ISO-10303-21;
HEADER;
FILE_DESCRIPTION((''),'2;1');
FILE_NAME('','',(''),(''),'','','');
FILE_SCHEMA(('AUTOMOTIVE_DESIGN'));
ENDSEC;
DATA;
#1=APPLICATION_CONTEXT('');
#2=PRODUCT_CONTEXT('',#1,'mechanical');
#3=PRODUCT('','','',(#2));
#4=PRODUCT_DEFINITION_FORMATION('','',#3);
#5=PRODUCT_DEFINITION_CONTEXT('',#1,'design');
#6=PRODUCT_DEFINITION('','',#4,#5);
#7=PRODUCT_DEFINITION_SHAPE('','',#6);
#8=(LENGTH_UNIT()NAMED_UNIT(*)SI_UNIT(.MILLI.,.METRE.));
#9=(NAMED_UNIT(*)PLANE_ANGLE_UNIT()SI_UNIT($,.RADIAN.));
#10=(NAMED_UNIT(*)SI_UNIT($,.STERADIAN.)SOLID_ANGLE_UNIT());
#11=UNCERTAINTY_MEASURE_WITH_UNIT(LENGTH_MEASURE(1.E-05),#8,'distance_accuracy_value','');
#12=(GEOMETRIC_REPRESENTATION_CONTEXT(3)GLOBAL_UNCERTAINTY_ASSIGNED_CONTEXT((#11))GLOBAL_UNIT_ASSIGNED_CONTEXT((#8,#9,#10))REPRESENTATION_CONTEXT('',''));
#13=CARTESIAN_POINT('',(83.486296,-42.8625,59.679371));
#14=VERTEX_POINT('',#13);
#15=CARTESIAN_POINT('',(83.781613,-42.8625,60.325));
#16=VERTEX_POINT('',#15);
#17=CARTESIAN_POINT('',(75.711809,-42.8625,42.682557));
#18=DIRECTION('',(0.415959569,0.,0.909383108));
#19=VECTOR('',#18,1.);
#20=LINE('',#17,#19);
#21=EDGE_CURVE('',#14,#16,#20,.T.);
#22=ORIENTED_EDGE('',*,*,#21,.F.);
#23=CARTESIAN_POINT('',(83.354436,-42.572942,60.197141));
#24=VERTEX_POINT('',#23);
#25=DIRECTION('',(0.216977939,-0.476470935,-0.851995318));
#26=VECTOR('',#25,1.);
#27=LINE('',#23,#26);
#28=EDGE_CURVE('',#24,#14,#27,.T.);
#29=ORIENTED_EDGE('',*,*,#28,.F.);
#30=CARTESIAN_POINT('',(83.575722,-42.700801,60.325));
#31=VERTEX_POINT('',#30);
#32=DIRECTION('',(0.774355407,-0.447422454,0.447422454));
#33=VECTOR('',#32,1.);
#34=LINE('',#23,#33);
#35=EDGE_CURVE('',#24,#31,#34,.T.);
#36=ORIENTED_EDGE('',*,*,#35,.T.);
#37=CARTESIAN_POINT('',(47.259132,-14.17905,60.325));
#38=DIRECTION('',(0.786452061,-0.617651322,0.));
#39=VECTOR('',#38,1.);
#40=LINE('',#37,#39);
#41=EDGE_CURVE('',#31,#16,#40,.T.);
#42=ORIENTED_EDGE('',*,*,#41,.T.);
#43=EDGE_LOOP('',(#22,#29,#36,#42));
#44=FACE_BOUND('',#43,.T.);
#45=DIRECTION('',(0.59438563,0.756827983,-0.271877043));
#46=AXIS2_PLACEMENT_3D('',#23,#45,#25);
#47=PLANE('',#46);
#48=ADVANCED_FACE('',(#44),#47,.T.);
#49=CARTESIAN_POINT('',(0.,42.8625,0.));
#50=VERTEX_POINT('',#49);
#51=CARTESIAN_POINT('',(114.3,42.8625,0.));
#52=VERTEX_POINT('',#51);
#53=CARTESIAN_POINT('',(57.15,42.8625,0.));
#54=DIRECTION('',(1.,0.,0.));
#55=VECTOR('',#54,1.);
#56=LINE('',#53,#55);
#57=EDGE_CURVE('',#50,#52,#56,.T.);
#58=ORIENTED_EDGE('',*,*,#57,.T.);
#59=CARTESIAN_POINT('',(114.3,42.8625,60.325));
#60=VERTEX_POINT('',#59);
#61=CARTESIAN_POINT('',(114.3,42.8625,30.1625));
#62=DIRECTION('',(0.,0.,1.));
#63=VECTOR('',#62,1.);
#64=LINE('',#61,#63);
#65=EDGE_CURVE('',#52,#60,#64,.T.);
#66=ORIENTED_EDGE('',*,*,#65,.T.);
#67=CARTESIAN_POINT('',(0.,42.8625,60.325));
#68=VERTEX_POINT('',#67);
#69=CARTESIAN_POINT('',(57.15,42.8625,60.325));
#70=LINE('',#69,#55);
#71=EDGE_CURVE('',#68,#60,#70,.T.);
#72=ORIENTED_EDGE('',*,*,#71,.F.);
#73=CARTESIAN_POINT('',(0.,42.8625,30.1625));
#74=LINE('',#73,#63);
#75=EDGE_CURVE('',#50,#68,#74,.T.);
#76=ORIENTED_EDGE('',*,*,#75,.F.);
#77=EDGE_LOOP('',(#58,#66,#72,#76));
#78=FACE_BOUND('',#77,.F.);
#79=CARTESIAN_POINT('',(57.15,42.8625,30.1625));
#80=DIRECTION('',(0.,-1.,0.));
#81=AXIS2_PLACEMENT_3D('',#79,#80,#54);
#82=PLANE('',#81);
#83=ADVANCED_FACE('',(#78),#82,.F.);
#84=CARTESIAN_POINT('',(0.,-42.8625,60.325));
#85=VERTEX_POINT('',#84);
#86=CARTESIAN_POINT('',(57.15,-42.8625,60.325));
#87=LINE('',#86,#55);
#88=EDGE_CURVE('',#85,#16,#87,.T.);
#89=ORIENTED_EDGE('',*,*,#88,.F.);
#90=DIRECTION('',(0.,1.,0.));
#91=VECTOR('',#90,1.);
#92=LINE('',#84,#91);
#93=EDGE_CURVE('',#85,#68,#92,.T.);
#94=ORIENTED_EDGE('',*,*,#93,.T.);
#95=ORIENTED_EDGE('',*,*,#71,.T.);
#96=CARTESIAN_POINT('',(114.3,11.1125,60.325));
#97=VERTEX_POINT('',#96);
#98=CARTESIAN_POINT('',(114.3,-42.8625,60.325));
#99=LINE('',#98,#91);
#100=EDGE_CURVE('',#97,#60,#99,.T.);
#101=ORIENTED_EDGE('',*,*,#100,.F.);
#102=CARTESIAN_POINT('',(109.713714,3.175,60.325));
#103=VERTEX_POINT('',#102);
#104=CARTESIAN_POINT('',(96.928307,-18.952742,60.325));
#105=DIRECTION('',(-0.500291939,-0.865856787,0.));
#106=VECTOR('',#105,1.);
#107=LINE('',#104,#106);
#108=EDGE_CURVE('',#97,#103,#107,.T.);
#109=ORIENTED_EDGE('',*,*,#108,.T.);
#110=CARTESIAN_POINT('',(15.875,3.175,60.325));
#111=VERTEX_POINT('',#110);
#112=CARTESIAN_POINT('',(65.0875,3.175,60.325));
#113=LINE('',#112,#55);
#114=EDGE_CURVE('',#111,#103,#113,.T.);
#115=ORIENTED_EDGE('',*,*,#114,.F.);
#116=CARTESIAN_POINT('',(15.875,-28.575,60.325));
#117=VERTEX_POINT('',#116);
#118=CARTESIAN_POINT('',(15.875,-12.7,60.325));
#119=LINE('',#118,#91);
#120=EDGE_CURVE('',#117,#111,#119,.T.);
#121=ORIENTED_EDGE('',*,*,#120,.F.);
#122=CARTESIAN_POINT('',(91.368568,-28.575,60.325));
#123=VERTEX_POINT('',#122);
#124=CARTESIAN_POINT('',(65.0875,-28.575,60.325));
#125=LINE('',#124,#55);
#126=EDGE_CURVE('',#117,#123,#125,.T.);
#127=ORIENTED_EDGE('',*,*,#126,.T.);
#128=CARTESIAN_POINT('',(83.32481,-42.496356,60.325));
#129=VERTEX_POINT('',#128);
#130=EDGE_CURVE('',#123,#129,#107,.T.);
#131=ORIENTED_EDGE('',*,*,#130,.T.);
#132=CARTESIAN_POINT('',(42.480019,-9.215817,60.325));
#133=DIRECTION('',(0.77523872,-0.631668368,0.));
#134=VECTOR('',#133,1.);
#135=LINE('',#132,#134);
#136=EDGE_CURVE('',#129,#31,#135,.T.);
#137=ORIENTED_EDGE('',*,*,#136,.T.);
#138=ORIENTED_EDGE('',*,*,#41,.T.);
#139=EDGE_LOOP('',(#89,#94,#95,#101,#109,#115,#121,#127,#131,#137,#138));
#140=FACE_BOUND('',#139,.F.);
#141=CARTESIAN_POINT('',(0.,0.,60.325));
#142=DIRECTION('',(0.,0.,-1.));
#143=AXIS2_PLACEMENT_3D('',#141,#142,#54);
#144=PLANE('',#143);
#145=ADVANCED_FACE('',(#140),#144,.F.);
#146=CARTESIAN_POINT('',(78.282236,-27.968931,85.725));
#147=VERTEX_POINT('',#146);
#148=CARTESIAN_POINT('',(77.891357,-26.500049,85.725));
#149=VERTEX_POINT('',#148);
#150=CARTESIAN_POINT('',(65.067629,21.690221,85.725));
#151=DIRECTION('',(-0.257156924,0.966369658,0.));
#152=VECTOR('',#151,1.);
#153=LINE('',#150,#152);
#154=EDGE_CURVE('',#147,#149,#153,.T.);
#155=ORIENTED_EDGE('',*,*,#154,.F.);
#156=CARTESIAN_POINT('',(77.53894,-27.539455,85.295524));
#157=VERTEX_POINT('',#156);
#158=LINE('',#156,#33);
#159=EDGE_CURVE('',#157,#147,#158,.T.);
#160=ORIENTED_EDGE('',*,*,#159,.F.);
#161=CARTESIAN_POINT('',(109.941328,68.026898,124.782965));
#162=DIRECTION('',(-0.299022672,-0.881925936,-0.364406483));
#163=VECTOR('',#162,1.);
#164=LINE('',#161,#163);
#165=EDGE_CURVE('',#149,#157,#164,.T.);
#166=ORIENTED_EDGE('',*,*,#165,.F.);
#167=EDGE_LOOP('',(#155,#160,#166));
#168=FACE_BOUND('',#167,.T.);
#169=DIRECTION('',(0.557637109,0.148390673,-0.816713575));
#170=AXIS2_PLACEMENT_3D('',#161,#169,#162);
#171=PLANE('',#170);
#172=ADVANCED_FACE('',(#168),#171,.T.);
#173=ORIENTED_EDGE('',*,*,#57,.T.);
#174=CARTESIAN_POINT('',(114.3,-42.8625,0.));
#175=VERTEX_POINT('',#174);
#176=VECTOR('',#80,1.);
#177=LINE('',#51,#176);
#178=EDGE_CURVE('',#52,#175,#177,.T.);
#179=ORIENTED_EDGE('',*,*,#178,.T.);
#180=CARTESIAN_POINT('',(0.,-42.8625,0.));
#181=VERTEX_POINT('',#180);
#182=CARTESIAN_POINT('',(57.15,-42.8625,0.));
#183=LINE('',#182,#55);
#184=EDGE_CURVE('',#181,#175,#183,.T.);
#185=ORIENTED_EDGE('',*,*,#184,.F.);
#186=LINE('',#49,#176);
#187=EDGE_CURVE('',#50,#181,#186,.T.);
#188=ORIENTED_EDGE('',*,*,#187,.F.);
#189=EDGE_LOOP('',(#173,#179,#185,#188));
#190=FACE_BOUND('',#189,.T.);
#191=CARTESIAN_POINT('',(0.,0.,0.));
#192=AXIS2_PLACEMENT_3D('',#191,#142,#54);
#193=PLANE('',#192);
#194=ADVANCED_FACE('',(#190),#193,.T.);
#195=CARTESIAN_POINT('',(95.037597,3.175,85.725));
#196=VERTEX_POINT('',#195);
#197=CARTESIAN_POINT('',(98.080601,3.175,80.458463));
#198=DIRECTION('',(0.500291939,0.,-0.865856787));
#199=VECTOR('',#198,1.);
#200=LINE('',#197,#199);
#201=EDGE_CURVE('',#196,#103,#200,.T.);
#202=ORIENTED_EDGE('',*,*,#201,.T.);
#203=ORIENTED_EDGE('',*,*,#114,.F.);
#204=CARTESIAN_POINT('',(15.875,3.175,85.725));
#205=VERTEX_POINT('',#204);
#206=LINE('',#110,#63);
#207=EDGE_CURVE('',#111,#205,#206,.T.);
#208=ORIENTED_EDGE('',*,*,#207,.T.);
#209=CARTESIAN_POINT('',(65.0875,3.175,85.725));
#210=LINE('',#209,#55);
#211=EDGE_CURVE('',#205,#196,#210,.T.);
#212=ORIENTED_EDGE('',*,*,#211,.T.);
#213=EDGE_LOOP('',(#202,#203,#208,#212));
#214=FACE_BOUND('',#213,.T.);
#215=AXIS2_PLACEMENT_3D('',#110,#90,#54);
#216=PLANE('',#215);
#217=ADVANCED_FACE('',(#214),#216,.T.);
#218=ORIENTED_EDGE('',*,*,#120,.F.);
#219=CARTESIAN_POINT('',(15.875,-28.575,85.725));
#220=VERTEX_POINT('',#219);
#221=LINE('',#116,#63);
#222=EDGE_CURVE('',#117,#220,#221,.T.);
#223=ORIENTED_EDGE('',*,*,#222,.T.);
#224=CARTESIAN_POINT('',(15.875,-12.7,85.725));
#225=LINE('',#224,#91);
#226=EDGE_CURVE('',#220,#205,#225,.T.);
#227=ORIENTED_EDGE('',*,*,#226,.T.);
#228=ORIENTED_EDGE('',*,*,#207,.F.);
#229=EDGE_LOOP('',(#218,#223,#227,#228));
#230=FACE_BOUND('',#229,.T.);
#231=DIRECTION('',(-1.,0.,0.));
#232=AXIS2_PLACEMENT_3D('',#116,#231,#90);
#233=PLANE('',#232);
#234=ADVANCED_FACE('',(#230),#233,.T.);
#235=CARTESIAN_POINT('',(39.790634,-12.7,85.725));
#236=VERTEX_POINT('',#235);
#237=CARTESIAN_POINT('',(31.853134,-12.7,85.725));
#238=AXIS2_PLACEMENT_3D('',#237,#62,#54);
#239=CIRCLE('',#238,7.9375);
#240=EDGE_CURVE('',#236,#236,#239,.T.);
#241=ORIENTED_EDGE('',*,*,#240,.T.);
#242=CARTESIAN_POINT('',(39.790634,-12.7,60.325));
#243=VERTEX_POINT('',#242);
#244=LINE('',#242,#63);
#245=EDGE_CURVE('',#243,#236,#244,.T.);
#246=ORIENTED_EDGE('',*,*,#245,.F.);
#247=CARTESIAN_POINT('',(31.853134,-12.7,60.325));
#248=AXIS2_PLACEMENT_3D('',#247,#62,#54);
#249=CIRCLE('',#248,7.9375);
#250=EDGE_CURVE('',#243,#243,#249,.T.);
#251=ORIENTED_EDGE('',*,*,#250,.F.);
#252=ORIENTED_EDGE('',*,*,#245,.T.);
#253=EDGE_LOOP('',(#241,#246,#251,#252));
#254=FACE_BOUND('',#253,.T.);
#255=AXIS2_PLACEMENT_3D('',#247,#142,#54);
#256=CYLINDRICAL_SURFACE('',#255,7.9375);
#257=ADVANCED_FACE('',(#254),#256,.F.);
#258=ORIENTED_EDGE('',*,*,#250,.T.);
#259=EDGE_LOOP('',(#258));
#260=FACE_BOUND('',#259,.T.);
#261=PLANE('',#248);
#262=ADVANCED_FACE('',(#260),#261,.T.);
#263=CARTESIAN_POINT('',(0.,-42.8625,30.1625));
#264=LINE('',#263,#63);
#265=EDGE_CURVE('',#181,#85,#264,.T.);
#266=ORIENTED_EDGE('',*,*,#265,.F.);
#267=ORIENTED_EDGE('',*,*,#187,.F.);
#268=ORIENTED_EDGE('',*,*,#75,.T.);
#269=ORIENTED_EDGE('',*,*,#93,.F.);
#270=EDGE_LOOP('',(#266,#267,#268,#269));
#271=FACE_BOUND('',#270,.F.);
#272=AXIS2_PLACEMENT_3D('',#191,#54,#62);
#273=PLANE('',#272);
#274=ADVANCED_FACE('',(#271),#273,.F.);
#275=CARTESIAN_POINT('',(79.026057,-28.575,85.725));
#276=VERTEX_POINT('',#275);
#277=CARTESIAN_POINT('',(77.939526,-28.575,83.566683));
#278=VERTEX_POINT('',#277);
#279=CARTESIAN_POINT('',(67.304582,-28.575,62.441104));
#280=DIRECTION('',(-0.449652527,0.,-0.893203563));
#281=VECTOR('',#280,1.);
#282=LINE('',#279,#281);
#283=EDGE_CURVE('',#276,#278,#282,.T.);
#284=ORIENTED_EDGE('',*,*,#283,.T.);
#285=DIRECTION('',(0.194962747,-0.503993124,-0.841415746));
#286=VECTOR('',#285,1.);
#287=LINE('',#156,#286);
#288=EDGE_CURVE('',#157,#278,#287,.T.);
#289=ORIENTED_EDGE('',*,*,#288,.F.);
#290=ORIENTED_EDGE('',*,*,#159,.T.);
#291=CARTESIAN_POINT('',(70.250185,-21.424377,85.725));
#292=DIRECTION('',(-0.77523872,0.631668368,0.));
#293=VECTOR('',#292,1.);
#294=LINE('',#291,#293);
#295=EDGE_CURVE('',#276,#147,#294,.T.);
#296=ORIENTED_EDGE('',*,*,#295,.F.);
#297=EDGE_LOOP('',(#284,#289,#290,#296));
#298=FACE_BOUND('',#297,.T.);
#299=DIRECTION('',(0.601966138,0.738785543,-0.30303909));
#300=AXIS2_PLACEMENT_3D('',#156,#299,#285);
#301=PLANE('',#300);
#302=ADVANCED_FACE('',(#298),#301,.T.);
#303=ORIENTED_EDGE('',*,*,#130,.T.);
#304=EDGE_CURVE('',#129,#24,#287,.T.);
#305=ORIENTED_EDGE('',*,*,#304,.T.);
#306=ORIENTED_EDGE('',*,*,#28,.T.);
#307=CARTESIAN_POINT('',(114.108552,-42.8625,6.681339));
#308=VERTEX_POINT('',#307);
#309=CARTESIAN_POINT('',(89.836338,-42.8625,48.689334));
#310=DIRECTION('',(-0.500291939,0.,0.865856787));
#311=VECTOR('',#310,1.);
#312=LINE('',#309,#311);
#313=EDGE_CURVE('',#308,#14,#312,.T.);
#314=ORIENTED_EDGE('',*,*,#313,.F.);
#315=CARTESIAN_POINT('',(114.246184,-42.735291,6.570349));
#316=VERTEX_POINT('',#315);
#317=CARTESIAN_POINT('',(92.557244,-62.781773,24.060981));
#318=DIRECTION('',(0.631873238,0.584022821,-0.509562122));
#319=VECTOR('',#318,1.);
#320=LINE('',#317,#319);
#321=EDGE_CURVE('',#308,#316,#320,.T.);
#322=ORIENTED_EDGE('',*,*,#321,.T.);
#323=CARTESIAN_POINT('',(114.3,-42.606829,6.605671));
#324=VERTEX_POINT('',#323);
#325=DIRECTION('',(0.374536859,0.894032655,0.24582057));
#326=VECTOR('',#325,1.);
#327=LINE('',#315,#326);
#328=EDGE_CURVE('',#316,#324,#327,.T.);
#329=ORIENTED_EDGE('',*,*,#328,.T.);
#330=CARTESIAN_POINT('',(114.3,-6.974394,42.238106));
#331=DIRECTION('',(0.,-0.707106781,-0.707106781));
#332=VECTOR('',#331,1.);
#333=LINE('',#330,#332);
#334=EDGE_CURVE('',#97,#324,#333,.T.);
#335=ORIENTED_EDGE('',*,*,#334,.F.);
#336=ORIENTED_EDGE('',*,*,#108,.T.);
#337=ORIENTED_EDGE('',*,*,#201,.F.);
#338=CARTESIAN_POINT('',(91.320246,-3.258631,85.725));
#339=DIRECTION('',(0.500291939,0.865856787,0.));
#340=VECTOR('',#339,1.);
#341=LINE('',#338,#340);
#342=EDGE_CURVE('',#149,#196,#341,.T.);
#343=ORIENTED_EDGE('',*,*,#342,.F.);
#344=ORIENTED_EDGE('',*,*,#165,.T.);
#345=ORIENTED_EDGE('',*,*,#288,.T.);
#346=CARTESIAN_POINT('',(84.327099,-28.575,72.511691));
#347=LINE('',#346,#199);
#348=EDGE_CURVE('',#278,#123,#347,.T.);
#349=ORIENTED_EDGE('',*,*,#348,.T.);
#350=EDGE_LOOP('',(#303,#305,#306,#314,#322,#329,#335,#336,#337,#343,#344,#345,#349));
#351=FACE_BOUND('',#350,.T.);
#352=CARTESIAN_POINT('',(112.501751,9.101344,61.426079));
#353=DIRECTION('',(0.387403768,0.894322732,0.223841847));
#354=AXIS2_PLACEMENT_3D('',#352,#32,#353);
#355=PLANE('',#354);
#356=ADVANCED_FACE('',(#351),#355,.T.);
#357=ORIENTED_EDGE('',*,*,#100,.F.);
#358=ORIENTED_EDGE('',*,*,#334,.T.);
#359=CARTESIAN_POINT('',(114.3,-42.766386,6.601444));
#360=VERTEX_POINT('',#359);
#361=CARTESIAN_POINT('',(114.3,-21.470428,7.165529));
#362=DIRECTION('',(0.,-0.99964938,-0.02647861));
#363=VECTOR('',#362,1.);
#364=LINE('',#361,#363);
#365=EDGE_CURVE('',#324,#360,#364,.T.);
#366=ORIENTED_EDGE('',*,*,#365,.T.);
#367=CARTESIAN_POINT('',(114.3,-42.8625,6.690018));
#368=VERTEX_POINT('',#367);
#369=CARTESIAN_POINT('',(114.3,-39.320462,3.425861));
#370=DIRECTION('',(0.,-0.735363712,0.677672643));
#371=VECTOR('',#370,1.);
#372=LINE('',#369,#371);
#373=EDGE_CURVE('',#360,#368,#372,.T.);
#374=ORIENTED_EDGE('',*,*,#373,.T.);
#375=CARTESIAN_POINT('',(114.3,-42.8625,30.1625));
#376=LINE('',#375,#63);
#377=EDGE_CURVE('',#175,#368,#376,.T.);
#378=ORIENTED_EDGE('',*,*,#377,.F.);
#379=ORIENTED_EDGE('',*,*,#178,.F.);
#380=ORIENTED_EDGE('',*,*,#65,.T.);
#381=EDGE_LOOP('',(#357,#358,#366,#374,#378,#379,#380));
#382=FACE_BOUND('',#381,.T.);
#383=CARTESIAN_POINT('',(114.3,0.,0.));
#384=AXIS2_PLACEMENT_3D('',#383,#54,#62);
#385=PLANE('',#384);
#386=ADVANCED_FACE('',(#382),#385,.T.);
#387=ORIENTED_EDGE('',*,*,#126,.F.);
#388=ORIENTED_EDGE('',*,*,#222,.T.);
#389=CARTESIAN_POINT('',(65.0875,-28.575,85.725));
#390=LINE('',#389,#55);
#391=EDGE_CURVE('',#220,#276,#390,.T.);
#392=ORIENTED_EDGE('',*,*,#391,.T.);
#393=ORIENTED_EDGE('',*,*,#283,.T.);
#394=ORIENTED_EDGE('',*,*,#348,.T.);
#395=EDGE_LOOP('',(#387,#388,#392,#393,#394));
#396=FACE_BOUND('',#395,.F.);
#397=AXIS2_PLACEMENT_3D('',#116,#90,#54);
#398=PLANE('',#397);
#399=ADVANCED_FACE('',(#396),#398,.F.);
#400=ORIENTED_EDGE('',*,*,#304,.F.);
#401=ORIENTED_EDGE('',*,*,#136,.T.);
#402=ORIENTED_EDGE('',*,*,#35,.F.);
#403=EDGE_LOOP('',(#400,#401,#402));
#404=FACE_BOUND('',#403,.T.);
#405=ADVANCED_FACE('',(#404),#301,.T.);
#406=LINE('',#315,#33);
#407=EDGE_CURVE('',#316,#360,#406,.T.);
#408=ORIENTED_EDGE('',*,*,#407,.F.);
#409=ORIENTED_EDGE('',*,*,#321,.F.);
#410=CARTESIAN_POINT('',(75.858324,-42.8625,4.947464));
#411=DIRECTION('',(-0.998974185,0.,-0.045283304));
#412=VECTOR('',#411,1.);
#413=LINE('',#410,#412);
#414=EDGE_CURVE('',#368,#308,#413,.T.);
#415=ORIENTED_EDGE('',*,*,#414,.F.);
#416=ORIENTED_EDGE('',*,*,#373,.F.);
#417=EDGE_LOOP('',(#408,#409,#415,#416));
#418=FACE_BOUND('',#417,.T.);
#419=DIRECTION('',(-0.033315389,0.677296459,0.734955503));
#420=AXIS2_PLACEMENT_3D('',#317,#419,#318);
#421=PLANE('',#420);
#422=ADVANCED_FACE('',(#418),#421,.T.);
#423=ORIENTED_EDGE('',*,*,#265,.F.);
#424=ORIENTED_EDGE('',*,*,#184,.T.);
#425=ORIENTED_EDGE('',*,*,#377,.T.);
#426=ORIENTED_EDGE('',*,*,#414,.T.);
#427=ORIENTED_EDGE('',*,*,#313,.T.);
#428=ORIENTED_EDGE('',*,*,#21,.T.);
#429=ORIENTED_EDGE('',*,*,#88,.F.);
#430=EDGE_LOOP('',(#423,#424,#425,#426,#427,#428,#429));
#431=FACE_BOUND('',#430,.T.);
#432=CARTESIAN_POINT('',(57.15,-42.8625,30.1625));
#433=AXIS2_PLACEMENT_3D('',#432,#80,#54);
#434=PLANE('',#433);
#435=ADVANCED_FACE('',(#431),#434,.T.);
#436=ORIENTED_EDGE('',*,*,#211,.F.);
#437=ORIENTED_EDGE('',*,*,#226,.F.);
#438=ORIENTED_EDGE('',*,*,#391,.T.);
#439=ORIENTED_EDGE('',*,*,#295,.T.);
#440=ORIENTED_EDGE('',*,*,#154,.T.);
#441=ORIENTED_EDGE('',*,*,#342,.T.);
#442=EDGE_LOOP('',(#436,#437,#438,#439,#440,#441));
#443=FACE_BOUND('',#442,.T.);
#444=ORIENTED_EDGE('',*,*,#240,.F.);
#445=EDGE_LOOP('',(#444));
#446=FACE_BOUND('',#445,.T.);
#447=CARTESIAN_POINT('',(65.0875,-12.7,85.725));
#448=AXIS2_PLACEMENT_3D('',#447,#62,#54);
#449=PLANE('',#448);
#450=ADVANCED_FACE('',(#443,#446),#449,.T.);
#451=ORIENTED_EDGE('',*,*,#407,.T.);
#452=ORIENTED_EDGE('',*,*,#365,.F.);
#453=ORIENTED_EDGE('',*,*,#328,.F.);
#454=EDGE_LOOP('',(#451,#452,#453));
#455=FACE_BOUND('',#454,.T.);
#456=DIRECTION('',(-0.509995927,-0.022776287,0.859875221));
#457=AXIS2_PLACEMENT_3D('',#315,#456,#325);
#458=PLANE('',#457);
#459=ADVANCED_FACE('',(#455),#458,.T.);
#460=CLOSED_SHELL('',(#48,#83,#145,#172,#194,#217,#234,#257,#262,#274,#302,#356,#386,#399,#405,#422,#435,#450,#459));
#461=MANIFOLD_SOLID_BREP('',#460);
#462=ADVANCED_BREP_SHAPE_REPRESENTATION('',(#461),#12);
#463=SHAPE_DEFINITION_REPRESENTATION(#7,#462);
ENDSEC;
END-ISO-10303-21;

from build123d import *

# Parameters (mm, degrees)
F0_W      = 114.3
F0_H      = 60.325
F1_DEPTH  = 42.8625
F2_W      = 98.425
F2_H      = 31.75
F3_DEPTH  = 25.4
F4_R      = 7.9375
F5_DEPTH  = 25.4
F10_DEPTH = 127


with BuildPart() as f1:
    # F0 (on Front) → F1 (new body, symmetric)
    with BuildSketch(Plane.XZ):
        with Locations((57.15, 30.1625)):
            Rectangle(F0_W, F0_H)
    extrude(amount=F1_DEPTH, both=True)

    # F2 (on face) → F3 (join)
    with BuildSketch(Plane.XY.offset(60.325)):
        with Locations((65.0875, -12.7)):
            Rectangle(F2_W, F2_H)
    extrude(amount=F3_DEPTH)

    # F4 (on face) → F5 (cut)
    with BuildSketch(Plane.XY.offset(60.325)):
        with Locations((31.8531343792, -12.7)):
            Circle(F4_R)
    extrude(amount=F5_DEPTH, mode=Mode.SUBTRACT)

    # F9 (on 3pt) → F10 (cut)
    with BuildSketch(Plane(origin=(85.5876450588, -49.4525301974, 49.4525301974), x_dir=(0.3874037681, 0.8943227315, 0.2238418469), z_dir=(0.7743554069, -0.4474224535, 0.4474224535))):
        Polygon((-14.9042876437, -25.4722796381), (7.5109787285, -51.4674633741), (114.2435371876, -48.7483553588), (131.361335516, 53.0414171517), (24.5024245232, 35.0616015494), (7.6925121248, 10.4205505922), align=None)
    extrude(amount=F10_DEPTH, mode=Mode.SUBTRACT)


solid = f1.part
